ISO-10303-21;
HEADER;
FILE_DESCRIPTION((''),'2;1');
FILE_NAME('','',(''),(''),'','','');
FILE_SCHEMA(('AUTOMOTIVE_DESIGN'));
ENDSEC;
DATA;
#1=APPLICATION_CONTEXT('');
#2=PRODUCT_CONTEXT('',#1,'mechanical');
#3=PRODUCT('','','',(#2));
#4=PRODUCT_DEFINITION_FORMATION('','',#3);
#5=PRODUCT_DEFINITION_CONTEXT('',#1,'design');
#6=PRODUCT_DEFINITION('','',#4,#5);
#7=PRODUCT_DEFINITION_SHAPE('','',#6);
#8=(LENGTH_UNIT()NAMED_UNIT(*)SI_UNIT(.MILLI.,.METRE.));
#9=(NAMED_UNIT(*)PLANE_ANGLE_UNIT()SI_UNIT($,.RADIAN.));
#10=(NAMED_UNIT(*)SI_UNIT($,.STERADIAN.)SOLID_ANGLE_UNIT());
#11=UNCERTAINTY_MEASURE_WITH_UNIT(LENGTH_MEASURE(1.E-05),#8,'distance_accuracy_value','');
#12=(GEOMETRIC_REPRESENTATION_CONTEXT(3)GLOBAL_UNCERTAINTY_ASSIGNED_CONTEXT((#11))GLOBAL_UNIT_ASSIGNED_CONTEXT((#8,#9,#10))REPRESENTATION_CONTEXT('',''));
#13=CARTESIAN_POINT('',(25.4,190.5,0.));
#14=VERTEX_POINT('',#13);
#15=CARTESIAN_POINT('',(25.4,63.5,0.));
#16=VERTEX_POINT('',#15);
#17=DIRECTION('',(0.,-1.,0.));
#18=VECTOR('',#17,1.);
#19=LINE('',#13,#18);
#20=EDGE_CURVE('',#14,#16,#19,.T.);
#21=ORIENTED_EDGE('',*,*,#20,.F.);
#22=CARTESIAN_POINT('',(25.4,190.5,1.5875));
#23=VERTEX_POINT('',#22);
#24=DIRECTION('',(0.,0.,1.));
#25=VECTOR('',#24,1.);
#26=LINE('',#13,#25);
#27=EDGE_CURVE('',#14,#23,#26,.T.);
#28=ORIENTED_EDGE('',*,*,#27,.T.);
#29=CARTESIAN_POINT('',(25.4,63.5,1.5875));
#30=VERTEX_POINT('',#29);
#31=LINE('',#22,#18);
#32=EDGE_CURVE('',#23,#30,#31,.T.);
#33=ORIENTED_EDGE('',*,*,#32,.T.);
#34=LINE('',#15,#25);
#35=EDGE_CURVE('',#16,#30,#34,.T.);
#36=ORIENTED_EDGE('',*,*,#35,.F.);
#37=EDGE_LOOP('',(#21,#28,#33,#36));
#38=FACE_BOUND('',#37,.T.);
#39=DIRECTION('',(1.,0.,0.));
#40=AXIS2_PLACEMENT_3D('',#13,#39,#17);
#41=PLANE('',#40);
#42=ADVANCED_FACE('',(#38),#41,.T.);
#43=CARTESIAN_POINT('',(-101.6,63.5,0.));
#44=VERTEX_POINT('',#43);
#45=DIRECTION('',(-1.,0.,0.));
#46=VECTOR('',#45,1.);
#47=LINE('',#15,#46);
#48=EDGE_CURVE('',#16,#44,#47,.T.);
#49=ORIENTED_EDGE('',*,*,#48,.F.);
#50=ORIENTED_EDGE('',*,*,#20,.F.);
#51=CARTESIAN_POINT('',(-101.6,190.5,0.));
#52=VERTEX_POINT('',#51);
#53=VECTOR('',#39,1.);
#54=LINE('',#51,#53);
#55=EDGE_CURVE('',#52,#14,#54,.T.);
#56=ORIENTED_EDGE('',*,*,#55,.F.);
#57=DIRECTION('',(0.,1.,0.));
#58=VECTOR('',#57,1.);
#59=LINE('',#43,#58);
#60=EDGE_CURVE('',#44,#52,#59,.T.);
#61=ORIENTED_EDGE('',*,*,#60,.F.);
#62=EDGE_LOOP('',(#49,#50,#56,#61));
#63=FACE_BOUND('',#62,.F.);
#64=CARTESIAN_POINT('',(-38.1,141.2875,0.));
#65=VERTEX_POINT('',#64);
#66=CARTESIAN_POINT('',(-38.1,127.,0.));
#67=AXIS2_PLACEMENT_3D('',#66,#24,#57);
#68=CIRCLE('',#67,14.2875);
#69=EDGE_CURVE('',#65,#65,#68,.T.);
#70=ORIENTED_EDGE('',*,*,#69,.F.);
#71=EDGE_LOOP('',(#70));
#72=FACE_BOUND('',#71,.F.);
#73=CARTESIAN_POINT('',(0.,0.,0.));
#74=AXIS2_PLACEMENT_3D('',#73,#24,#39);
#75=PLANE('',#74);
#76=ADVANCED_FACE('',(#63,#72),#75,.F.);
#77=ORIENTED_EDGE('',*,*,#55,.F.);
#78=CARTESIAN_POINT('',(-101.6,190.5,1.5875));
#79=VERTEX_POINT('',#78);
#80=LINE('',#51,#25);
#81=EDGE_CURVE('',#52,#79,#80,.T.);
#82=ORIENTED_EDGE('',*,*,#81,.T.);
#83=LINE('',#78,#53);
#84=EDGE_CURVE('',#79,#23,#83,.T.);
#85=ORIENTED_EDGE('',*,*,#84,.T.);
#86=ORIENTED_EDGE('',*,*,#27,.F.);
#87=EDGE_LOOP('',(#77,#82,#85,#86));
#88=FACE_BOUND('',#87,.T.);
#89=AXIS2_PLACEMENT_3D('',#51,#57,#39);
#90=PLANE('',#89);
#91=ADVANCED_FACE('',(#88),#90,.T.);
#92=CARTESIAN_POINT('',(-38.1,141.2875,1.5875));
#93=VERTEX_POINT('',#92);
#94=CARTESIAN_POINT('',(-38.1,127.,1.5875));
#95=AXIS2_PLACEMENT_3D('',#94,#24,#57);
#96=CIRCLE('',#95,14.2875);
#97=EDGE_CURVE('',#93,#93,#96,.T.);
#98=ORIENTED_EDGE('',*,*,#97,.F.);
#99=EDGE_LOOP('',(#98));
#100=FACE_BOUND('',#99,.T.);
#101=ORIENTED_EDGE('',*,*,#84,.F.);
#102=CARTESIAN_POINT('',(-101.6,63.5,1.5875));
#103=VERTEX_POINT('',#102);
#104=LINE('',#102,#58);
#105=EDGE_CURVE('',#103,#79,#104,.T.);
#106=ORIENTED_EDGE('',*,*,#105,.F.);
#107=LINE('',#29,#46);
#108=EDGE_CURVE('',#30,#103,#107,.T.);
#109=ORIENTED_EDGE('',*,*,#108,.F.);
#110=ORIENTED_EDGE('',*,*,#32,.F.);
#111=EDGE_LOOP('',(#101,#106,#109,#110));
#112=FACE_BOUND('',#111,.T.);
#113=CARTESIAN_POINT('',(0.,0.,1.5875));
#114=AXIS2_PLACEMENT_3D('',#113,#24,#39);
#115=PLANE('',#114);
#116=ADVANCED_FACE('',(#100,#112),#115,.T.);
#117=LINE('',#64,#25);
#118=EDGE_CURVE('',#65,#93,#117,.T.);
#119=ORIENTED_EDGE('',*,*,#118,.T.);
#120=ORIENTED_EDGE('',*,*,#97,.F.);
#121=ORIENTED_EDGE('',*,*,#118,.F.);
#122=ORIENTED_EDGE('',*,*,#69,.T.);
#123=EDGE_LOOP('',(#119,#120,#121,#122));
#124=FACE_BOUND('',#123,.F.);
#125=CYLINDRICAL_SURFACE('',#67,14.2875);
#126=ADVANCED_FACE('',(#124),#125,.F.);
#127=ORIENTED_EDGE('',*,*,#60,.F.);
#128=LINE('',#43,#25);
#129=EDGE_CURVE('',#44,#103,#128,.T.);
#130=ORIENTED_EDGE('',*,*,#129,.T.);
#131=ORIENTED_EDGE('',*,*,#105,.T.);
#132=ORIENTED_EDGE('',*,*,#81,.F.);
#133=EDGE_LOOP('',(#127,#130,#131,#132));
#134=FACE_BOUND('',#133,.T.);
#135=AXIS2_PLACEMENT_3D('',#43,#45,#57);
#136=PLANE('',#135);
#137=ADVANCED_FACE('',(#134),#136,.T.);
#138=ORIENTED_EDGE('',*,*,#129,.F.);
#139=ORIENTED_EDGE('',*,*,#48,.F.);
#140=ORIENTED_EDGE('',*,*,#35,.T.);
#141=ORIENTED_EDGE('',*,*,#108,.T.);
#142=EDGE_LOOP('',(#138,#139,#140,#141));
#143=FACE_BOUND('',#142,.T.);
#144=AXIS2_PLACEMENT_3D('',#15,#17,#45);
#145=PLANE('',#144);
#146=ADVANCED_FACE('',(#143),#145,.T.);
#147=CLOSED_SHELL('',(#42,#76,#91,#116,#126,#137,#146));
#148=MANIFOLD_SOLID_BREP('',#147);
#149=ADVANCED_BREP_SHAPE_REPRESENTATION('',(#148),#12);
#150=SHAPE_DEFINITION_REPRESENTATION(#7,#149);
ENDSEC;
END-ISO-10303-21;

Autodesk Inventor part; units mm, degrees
ref_plane "YZ Plane" through (0, 0, 0) normal (1, 0, 0) x (0, 1, 0)
ref_plane "XZ Plane" through (0, 0, 0) normal (0, 1, 0) x (-1, 0, 0)
ref_plane "XY Plane" through (0, 0, 0) normal (0, 0, 1) x (1, 0, 0)
sketch "Sketch1" plane through (0, 0, 0) normal (0, 0, 1) x (1, 0, 0)
  line L0 (25.4, 63.5) -> (-101.6, 63.5)
  line L1 (-101.6, 63.5) -> (-101.6, 190.5)
  line L2 (-101.6, 190.5) -> (25.4, 190.5)
  line L3 (25.4, 190.5) -> (25.4, 63.5)
  point P0 (0, 0)
  dimension "d0" = 127
  dimension "d1" = 127
extrude "Extrusion1" add sketch "Sketch1" along normal blind 1.5875
sketch "Sketch2" plane through (0, 0, 0) normal (0, 0, -1) x (-1, 0, 0)
  line L0 (-25.4, 63.5) -> (101.6, 63.5) projected
  line L1 (101.6, 63.5) -> (101.6, 190.5) projected
  line L2 (101.6, 190.5) -> (-25.4, 190.5) projected
  line L3 (-25.4, 190.5) -> (-25.4, 63.5) projected
  line L4 (38.1, 190.5) -> (38.1, 127)
  point P0 (0, 0)
  dimension "d4" = 127
  dimension "d5" = 127
  dimension "d6" = 63.5
hole "Hole1" at (-38.1, 127, 0) direction (0, 0, 1) diameter 28.575 end through all
properties part number "mountingPanelCannon"
